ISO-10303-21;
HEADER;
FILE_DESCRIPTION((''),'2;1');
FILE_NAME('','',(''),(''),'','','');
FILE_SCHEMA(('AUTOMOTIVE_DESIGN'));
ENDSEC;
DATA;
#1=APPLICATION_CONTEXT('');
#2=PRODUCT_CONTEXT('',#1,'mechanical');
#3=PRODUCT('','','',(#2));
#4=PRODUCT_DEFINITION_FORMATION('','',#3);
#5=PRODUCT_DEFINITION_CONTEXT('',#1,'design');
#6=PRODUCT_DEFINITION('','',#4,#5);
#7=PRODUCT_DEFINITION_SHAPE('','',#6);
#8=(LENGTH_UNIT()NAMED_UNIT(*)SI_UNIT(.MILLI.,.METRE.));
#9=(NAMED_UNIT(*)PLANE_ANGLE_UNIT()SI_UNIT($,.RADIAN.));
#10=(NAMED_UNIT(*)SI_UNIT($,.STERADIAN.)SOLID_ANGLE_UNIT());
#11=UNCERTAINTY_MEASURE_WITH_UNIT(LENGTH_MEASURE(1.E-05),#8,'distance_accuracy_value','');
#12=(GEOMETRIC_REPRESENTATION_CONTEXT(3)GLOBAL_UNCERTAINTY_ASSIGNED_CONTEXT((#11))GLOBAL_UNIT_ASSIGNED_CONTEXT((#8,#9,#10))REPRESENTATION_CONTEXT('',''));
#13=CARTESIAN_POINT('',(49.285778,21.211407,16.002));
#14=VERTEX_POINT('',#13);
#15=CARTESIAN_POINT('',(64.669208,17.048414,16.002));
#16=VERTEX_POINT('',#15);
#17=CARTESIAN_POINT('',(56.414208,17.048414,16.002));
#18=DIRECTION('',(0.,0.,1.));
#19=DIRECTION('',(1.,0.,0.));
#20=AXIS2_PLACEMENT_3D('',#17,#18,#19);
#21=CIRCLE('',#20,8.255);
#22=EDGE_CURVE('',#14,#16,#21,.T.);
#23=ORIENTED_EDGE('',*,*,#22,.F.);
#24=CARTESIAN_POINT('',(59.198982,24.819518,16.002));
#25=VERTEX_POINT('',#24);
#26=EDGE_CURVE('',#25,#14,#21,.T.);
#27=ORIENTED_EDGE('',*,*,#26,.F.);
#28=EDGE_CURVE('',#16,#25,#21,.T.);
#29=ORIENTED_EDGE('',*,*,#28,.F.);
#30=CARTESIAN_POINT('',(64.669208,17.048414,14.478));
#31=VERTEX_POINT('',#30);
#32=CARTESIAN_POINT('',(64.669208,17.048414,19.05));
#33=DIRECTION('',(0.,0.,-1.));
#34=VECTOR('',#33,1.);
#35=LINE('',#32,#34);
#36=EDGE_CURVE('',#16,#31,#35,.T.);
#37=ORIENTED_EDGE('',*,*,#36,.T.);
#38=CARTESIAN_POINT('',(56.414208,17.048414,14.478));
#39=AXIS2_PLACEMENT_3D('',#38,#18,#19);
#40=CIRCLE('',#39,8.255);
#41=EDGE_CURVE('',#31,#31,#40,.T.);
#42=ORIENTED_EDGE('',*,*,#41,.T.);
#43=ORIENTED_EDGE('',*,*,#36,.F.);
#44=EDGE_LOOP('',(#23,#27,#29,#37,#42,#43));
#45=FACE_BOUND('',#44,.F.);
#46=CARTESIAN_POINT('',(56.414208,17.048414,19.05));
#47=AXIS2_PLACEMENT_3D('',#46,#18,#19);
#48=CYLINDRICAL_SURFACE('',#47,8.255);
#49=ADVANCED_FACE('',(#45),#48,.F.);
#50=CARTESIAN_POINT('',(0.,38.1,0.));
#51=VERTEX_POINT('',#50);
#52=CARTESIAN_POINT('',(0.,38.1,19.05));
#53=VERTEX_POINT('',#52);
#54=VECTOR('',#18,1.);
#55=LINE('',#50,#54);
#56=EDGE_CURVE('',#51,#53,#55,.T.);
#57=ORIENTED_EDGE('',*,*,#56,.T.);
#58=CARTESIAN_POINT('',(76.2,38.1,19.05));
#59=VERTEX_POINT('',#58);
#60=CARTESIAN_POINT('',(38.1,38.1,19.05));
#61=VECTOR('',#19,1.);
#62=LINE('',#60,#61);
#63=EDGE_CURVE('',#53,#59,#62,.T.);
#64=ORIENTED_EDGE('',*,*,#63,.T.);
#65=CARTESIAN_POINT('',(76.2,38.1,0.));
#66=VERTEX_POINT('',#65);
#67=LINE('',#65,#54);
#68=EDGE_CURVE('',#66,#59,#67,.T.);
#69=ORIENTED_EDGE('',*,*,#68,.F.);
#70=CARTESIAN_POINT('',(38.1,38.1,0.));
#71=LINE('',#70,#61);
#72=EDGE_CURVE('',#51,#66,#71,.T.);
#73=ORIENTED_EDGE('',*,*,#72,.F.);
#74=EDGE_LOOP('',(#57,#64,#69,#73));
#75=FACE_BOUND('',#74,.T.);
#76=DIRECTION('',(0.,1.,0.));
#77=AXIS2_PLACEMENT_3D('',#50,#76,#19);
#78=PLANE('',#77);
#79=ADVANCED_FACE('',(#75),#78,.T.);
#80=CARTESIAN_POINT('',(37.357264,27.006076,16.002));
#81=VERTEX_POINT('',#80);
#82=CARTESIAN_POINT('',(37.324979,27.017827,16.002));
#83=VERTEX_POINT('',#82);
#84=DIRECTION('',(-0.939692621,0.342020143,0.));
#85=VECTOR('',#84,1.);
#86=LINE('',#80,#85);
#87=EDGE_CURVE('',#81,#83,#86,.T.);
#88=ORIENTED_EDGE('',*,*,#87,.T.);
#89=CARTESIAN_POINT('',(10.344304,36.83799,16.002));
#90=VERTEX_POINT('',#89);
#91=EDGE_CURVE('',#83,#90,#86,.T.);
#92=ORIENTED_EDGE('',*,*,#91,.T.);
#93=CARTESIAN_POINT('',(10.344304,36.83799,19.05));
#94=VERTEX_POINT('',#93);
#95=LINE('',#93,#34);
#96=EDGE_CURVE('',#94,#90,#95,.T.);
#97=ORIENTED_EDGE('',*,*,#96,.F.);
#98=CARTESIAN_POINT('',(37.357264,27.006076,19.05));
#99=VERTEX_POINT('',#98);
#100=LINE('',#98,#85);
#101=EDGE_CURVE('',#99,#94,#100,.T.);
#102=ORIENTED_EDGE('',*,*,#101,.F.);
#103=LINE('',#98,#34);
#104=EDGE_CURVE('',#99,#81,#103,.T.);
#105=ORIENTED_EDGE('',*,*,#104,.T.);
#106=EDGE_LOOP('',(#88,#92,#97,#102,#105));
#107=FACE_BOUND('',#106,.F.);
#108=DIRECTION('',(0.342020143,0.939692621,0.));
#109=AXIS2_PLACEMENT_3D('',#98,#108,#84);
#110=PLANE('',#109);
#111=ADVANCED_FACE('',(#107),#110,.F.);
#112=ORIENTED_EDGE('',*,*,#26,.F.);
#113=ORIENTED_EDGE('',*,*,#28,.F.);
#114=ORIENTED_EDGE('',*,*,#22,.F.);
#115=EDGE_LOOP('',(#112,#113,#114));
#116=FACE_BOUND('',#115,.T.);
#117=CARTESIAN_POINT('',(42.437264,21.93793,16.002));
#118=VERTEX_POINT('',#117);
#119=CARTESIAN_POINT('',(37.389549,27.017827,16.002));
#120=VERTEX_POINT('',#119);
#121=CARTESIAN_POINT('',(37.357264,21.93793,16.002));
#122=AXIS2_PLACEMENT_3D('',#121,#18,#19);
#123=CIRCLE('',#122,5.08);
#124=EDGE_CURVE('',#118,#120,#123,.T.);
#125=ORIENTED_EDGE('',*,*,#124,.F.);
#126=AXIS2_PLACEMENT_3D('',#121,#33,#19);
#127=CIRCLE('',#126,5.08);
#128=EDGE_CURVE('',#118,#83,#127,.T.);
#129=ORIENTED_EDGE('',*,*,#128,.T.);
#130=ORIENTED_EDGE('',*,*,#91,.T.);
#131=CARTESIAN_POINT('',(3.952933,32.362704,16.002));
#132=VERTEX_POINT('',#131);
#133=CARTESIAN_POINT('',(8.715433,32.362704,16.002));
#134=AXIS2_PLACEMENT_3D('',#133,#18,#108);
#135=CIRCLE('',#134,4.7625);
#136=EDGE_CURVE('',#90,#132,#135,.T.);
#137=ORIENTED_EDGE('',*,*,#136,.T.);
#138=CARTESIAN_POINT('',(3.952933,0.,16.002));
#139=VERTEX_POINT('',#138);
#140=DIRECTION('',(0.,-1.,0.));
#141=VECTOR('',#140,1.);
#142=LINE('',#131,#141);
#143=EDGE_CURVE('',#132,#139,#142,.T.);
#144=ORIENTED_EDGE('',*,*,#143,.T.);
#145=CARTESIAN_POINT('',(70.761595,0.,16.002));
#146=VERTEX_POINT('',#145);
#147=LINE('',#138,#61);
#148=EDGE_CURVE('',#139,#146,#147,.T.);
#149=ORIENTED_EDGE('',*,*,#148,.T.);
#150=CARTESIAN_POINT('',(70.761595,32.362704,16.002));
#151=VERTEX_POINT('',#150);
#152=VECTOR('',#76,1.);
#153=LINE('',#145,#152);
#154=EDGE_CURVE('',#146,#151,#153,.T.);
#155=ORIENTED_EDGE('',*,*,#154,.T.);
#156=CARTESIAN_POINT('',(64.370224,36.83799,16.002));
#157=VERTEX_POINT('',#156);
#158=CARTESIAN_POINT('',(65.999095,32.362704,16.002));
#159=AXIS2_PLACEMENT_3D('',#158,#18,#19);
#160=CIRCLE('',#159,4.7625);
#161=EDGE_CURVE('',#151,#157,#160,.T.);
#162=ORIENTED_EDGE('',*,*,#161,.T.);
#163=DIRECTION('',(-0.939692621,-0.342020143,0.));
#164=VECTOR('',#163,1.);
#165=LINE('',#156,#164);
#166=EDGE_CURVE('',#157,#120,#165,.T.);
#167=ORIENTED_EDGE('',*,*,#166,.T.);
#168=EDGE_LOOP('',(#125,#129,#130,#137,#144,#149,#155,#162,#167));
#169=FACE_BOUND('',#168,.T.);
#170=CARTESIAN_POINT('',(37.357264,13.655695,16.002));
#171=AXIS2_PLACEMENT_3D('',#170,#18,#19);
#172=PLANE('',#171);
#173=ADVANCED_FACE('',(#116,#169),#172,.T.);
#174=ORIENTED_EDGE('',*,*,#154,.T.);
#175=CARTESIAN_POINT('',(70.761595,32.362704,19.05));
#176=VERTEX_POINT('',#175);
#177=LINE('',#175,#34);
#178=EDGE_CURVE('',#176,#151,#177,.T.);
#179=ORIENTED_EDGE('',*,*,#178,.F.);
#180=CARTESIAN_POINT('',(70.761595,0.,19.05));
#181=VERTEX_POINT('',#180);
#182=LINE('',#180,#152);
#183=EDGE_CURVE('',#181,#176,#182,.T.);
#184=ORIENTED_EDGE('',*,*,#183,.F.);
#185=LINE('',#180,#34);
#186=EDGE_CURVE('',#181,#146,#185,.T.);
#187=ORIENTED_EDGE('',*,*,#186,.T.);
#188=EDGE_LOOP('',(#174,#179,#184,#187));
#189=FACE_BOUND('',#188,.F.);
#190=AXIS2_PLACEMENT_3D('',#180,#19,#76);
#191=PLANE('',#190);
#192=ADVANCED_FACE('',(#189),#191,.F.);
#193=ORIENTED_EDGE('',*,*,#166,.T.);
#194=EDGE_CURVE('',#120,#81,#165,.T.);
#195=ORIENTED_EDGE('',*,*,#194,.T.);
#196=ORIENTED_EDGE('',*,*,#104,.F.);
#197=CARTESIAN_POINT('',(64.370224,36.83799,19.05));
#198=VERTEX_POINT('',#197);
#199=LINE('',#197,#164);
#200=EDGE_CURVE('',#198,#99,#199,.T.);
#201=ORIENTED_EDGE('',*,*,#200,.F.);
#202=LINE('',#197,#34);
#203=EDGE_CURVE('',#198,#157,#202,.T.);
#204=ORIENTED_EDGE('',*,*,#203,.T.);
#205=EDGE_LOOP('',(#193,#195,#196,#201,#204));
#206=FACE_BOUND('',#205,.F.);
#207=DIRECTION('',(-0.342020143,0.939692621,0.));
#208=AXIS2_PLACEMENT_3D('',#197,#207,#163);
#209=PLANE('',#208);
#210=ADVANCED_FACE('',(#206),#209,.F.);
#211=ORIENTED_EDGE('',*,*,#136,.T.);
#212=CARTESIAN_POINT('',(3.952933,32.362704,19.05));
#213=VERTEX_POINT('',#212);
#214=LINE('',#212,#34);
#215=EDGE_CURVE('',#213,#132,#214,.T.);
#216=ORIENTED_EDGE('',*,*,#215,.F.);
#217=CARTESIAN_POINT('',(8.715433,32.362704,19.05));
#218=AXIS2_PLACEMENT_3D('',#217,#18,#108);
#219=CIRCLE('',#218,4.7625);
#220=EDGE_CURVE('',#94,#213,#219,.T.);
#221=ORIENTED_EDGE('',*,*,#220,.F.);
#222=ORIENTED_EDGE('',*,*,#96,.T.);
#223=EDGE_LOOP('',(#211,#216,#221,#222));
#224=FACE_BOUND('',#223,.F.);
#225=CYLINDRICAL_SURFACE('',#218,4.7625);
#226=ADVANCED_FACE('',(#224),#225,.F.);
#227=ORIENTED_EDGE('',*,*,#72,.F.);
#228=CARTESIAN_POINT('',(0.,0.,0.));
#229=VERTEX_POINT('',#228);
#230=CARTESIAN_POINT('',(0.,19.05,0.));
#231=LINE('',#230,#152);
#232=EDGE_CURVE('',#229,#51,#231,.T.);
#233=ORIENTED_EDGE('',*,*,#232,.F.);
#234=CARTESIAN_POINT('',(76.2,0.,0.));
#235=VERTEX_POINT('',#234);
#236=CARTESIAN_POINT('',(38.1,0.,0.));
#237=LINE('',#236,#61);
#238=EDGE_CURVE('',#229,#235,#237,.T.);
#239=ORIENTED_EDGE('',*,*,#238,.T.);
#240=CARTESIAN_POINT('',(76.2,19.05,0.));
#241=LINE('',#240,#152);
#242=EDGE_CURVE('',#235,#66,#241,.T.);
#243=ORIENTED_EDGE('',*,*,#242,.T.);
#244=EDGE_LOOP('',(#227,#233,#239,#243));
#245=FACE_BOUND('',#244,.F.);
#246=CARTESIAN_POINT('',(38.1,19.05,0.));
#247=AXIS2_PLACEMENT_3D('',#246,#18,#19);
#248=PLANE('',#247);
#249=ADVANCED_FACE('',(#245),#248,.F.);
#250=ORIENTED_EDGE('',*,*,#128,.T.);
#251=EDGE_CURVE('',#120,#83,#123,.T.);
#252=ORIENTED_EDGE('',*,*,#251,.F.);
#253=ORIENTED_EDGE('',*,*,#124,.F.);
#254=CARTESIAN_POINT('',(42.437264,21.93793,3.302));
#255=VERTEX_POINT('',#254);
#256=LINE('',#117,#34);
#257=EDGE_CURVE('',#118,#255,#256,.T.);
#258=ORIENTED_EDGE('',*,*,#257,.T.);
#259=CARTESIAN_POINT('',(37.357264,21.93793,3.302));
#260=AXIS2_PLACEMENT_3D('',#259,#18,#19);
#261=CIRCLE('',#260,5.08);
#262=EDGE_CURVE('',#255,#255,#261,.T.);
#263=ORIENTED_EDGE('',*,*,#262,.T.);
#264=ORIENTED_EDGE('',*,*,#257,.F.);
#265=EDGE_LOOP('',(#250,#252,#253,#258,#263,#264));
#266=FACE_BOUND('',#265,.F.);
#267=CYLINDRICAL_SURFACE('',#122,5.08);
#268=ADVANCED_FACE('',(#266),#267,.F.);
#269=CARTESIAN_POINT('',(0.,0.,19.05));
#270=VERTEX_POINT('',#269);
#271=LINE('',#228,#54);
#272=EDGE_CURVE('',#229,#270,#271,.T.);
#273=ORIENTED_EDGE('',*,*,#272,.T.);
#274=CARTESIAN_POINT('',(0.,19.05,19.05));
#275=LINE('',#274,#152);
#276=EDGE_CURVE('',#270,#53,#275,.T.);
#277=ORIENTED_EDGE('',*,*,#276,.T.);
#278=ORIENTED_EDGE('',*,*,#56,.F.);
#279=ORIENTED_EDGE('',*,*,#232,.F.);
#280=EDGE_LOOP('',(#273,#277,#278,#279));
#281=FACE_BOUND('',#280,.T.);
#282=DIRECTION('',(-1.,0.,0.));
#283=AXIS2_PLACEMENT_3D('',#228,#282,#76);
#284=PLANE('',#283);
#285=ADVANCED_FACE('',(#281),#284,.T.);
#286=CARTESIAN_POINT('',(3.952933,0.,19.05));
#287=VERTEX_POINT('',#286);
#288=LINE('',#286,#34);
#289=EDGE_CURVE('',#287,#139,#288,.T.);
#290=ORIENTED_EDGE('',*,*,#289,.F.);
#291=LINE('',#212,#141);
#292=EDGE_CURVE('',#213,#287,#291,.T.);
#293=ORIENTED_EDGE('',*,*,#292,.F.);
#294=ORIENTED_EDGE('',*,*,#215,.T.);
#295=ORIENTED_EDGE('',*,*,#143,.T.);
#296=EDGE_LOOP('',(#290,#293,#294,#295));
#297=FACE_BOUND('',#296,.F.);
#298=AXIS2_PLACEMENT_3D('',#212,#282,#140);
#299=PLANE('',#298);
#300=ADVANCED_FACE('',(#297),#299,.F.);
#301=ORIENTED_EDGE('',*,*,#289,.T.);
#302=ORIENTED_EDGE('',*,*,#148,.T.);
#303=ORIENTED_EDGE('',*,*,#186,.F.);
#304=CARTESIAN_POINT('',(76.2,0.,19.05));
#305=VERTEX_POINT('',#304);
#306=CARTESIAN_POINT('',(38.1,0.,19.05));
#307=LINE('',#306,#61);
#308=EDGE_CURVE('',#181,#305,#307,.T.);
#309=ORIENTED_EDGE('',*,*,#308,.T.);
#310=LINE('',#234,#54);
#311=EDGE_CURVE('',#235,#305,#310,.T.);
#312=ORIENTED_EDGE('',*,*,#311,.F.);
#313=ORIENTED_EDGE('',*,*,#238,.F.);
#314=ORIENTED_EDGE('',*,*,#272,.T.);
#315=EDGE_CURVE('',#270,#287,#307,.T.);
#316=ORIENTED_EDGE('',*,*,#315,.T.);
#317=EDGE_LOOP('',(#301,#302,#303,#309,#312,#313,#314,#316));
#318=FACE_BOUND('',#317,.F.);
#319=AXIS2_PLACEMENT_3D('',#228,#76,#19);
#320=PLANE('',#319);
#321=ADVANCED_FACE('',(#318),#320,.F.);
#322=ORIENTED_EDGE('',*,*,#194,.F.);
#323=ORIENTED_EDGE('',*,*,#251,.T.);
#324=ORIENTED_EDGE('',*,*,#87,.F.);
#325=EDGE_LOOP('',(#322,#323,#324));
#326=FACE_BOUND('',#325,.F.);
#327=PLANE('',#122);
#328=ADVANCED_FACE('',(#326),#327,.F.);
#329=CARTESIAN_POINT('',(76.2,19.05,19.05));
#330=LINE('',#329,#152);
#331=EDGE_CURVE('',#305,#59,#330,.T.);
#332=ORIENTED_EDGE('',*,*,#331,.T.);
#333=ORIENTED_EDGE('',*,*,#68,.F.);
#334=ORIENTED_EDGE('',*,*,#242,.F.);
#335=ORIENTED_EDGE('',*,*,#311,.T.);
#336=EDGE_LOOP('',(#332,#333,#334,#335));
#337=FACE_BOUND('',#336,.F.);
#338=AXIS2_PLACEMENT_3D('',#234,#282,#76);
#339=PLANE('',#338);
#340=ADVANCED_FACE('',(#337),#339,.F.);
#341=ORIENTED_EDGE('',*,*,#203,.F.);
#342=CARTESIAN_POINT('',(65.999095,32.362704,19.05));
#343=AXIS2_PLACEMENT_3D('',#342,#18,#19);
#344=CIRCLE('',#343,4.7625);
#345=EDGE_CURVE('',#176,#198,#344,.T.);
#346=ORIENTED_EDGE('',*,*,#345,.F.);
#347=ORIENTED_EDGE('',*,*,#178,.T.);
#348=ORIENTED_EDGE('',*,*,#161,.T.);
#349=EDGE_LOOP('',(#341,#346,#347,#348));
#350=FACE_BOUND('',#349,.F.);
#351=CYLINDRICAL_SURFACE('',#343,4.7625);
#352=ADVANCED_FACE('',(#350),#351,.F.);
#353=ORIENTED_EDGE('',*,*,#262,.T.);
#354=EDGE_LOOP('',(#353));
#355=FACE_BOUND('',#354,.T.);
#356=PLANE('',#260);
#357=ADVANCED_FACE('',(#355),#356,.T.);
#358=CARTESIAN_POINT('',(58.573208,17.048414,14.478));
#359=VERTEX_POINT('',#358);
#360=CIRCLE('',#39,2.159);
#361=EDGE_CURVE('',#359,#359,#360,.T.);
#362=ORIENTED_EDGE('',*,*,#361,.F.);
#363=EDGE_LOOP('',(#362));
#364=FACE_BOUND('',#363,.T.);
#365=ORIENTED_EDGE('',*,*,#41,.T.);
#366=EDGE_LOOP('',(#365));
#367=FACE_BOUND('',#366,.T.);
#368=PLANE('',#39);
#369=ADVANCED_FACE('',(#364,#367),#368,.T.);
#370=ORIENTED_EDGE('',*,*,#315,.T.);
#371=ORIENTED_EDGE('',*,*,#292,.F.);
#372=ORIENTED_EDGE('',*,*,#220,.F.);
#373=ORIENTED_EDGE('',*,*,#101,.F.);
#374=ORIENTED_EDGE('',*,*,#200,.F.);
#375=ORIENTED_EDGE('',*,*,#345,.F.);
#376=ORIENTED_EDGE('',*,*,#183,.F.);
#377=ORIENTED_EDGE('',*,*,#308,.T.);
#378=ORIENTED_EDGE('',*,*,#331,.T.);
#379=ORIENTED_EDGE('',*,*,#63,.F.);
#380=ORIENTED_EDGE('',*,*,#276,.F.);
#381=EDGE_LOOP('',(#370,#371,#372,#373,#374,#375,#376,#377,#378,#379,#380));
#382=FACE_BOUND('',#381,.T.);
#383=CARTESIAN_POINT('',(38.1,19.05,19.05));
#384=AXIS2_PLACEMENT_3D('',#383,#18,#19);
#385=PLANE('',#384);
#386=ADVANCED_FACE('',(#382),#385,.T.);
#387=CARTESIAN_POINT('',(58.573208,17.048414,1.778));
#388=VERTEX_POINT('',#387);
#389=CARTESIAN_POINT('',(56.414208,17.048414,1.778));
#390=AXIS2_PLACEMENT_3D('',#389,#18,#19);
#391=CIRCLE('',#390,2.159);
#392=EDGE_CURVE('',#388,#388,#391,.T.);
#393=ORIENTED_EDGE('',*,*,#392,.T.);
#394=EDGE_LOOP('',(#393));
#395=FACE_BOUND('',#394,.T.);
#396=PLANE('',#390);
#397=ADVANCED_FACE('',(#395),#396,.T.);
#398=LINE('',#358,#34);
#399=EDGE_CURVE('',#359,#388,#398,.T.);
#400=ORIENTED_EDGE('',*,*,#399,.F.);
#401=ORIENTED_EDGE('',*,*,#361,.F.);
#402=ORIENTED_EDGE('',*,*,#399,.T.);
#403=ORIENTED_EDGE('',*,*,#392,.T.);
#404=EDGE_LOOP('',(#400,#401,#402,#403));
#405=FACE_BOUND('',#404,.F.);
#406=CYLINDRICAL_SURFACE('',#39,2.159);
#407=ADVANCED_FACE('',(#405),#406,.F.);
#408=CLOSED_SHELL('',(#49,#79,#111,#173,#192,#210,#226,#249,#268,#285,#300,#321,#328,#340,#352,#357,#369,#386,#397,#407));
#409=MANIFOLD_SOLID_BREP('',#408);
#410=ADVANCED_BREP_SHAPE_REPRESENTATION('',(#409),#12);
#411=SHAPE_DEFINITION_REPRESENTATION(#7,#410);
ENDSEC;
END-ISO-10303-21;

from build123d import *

# Parameters (mm, degrees)
F0_W      = 76.2
F0_H      = 38.1
F1_DEPTH  = 19.05
F3_DEPTH  = 3.048
F4_R      = 8.255
F5_DEPTH  = 4.572
F6_R      = 2.159
F7_DEPTH  = 12.7
F8_R      = 5.08
F9_DEPTH  = 12.7
F11_DEPTH = 3.048


with BuildPart() as f1:
    # F0 (on Top) → F1 (new body)
    with BuildSketch(Plane.XY):
        with Locations((38.1, 19.05)):
            Rectangle(F0_W, F0_H)
    extrude(amount=F1_DEPTH)

    # F2 (on face) → F3 (cut)
    with BuildSketch(Plane.XY.offset(19.05)):
        with BuildLine():
            ThreePointArc((7.0865621097, 27.8874175237), (11.4470908204, 28.4614920193), (13.4779330423, 32.3627036302))
            ThreePointArc((13.4779330423, 32.3627036302), (12.6166446532, 35.0943614084), (10.3443039749, 36.8379897367))
            ThreePointArc((10.3443039749, 36.8379897367), (4.2401469358, 33.9915745628), (7.0865621097, 27.8874175237))
        make_face()
        with BuildLine():
            ThreePointArc((10.3443039749, 36.8379897367), (12.6166446532, 35.0943614084), (13.4779330423, 32.3627036302))
            ThreePointArc((13.4779330423, 32.3627036302), (11.4470908204, 28.4614920193), (7.0865621097, 27.8874175237))
            Line((7.0865621097, 27.8874175237), (35.7283931912, 17.4626435552))
            ThreePointArc((35.7283931912, 17.4626435552), (32.5947641238, 21.9379296617), (35.7283931912, 26.4132157682))
            Line((35.7283931912, 26.4132157682), (37.3572641238, 27.0060763031))
            Line((37.3572641238, 27.0060763031), (10.3443039749, 36.8379897367))
        make_face()
        with BuildLine():
            Line((64.3702242728, 36.8379897367), (37.3572641238, 27.0060763031))
            Line((37.3572641238, 27.0060763031), (38.9861350564, 26.4132157682))
            ThreePointArc((38.9861350564, 26.4132157682), (41.2584757347, 24.6695874398), (42.1197641238, 21.9379296617))
            ThreePointArc((42.1197641238, 21.9379296617), (41.2584757347, 19.2062718836), (38.9861350564, 17.4626435552))
            Line((38.9861350564, 17.4626435552), (67.627966138, 27.8874175237))
            ThreePointArc((67.627966138, 27.8874175237), (61.5238090989, 30.7338326977), (64.3702242728, 36.8379897367))
        make_face()
        with BuildLine():
            Line((38.9861350564, 26.4132157682), (37.3572641238, 27.0060763031))
            Line((37.3572641238, 27.0060763031), (35.7283931912, 26.4132157682))
            ThreePointArc((35.7283931912, 26.4132157682), (37.3572641238, 26.7004296617), (38.9861350564, 26.4132157682))
        make_face()
        with BuildLine():
            ThreePointArc((35.7283931912, 26.4132157682), (32.5947641238, 21.9379296617), (35.7283931912, 17.4626435552))
            ThreePointArc((35.7283931912, 17.4626435552), (37.3572641238, 17.1754296617), (38.9861350564, 17.4626435552))
            ThreePointArc((38.9861350564, 17.4626435552), (41.2584757347, 19.2062718836), (42.1197641238, 21.9379296617))
            ThreePointArc((42.1197641238, 21.9379296617), (41.2584757347, 24.6695874398), (38.9861350564, 26.4132157682))
            ThreePointArc((38.9861350564, 26.4132157682), (37.3572641238, 26.7004296617), (35.7283931912, 26.4132157682))
        make_face()
        with BuildLine():
            ThreePointArc((70.7615952054, 32.3627036302), (68.7307529835, 36.2639152412), (64.3702242728, 36.8379897367))
            ThreePointArc((64.3702242728, 36.8379897367), (61.5238090989, 30.7338326977), (67.627966138, 27.8874175237))
            ThreePointArc((67.627966138, 27.8874175237), (69.9003068163, 29.6310458521), (70.7615952054, 32.3627036302))
        make_face()
    extrude(amount=-F3_DEPTH, mode=Mode.SUBTRACT)

    # F4 (on face) → F5 (cut)
    with BuildSketch(Plane.XY.offset(19.05)):
        with Locations((56.4142079383, 17.0484144696)):
            Circle(F4_R)
    extrude(amount=-F5_DEPTH, mode=Mode.SUBTRACT)

    # F6 (on face) → F7 (cut)
    with BuildSketch(Plane.XY.offset(14.478)):
        with Locations((56.4142079383, 17.0484144696)):
            Circle(F6_R)
    extrude(amount=-F7_DEPTH, mode=Mode.SUBTRACT)

    # F8 (on face) → F9 (cut)
    with BuildSketch(Plane.XY.offset(16.002)):
        with Locations((37.3572641238, 21.9379296617)):
            Circle(F8_R)
    extrude(amount=-F9_DEPTH, mode=Mode.SUBTRACT)

    # F10 (on face) → F11 (cut)
    with BuildSketch(Plane.XY.offset(19.05)):
        with BuildLine():
            ThreePointArc((7.0865621097, 27.8874175237), (4.8142214313, 29.6310458521), (3.9529330423, 32.3627036302))
            Line((3.9529330423, 32.3627036302), (3.9529330423, 0))
            Line((3.9529330423, 0), (70.7615952054, 0))
            Line((70.7615952054, 0), (70.7615952054, 32.3627036302))
            ThreePointArc((70.7615952054, 32.3627036302), (69.9003068163, 29.6310458521), (67.627966138, 27.8874175237))
            Line((67.627966138, 27.8874175237), (59.1989824769, 24.819518366))
            Line((59.1989824769, 24.819518366), (49.2857775794, 21.2114068571))
            Line((49.2857775794, 21.2114068571), (38.9861350564, 17.4626435552))
            ThreePointArc((38.9861350564, 17.4626435552), (37.3572641238, 17.1754296617), (35.7283931912, 17.4626435552))
            Line((35.7283931912, 17.4626435552), (7.0865621097, 27.8874175237))
        make_face()
    extrude(amount=-F11_DEPTH, mode=Mode.SUBTRACT)


solid = f1.part
